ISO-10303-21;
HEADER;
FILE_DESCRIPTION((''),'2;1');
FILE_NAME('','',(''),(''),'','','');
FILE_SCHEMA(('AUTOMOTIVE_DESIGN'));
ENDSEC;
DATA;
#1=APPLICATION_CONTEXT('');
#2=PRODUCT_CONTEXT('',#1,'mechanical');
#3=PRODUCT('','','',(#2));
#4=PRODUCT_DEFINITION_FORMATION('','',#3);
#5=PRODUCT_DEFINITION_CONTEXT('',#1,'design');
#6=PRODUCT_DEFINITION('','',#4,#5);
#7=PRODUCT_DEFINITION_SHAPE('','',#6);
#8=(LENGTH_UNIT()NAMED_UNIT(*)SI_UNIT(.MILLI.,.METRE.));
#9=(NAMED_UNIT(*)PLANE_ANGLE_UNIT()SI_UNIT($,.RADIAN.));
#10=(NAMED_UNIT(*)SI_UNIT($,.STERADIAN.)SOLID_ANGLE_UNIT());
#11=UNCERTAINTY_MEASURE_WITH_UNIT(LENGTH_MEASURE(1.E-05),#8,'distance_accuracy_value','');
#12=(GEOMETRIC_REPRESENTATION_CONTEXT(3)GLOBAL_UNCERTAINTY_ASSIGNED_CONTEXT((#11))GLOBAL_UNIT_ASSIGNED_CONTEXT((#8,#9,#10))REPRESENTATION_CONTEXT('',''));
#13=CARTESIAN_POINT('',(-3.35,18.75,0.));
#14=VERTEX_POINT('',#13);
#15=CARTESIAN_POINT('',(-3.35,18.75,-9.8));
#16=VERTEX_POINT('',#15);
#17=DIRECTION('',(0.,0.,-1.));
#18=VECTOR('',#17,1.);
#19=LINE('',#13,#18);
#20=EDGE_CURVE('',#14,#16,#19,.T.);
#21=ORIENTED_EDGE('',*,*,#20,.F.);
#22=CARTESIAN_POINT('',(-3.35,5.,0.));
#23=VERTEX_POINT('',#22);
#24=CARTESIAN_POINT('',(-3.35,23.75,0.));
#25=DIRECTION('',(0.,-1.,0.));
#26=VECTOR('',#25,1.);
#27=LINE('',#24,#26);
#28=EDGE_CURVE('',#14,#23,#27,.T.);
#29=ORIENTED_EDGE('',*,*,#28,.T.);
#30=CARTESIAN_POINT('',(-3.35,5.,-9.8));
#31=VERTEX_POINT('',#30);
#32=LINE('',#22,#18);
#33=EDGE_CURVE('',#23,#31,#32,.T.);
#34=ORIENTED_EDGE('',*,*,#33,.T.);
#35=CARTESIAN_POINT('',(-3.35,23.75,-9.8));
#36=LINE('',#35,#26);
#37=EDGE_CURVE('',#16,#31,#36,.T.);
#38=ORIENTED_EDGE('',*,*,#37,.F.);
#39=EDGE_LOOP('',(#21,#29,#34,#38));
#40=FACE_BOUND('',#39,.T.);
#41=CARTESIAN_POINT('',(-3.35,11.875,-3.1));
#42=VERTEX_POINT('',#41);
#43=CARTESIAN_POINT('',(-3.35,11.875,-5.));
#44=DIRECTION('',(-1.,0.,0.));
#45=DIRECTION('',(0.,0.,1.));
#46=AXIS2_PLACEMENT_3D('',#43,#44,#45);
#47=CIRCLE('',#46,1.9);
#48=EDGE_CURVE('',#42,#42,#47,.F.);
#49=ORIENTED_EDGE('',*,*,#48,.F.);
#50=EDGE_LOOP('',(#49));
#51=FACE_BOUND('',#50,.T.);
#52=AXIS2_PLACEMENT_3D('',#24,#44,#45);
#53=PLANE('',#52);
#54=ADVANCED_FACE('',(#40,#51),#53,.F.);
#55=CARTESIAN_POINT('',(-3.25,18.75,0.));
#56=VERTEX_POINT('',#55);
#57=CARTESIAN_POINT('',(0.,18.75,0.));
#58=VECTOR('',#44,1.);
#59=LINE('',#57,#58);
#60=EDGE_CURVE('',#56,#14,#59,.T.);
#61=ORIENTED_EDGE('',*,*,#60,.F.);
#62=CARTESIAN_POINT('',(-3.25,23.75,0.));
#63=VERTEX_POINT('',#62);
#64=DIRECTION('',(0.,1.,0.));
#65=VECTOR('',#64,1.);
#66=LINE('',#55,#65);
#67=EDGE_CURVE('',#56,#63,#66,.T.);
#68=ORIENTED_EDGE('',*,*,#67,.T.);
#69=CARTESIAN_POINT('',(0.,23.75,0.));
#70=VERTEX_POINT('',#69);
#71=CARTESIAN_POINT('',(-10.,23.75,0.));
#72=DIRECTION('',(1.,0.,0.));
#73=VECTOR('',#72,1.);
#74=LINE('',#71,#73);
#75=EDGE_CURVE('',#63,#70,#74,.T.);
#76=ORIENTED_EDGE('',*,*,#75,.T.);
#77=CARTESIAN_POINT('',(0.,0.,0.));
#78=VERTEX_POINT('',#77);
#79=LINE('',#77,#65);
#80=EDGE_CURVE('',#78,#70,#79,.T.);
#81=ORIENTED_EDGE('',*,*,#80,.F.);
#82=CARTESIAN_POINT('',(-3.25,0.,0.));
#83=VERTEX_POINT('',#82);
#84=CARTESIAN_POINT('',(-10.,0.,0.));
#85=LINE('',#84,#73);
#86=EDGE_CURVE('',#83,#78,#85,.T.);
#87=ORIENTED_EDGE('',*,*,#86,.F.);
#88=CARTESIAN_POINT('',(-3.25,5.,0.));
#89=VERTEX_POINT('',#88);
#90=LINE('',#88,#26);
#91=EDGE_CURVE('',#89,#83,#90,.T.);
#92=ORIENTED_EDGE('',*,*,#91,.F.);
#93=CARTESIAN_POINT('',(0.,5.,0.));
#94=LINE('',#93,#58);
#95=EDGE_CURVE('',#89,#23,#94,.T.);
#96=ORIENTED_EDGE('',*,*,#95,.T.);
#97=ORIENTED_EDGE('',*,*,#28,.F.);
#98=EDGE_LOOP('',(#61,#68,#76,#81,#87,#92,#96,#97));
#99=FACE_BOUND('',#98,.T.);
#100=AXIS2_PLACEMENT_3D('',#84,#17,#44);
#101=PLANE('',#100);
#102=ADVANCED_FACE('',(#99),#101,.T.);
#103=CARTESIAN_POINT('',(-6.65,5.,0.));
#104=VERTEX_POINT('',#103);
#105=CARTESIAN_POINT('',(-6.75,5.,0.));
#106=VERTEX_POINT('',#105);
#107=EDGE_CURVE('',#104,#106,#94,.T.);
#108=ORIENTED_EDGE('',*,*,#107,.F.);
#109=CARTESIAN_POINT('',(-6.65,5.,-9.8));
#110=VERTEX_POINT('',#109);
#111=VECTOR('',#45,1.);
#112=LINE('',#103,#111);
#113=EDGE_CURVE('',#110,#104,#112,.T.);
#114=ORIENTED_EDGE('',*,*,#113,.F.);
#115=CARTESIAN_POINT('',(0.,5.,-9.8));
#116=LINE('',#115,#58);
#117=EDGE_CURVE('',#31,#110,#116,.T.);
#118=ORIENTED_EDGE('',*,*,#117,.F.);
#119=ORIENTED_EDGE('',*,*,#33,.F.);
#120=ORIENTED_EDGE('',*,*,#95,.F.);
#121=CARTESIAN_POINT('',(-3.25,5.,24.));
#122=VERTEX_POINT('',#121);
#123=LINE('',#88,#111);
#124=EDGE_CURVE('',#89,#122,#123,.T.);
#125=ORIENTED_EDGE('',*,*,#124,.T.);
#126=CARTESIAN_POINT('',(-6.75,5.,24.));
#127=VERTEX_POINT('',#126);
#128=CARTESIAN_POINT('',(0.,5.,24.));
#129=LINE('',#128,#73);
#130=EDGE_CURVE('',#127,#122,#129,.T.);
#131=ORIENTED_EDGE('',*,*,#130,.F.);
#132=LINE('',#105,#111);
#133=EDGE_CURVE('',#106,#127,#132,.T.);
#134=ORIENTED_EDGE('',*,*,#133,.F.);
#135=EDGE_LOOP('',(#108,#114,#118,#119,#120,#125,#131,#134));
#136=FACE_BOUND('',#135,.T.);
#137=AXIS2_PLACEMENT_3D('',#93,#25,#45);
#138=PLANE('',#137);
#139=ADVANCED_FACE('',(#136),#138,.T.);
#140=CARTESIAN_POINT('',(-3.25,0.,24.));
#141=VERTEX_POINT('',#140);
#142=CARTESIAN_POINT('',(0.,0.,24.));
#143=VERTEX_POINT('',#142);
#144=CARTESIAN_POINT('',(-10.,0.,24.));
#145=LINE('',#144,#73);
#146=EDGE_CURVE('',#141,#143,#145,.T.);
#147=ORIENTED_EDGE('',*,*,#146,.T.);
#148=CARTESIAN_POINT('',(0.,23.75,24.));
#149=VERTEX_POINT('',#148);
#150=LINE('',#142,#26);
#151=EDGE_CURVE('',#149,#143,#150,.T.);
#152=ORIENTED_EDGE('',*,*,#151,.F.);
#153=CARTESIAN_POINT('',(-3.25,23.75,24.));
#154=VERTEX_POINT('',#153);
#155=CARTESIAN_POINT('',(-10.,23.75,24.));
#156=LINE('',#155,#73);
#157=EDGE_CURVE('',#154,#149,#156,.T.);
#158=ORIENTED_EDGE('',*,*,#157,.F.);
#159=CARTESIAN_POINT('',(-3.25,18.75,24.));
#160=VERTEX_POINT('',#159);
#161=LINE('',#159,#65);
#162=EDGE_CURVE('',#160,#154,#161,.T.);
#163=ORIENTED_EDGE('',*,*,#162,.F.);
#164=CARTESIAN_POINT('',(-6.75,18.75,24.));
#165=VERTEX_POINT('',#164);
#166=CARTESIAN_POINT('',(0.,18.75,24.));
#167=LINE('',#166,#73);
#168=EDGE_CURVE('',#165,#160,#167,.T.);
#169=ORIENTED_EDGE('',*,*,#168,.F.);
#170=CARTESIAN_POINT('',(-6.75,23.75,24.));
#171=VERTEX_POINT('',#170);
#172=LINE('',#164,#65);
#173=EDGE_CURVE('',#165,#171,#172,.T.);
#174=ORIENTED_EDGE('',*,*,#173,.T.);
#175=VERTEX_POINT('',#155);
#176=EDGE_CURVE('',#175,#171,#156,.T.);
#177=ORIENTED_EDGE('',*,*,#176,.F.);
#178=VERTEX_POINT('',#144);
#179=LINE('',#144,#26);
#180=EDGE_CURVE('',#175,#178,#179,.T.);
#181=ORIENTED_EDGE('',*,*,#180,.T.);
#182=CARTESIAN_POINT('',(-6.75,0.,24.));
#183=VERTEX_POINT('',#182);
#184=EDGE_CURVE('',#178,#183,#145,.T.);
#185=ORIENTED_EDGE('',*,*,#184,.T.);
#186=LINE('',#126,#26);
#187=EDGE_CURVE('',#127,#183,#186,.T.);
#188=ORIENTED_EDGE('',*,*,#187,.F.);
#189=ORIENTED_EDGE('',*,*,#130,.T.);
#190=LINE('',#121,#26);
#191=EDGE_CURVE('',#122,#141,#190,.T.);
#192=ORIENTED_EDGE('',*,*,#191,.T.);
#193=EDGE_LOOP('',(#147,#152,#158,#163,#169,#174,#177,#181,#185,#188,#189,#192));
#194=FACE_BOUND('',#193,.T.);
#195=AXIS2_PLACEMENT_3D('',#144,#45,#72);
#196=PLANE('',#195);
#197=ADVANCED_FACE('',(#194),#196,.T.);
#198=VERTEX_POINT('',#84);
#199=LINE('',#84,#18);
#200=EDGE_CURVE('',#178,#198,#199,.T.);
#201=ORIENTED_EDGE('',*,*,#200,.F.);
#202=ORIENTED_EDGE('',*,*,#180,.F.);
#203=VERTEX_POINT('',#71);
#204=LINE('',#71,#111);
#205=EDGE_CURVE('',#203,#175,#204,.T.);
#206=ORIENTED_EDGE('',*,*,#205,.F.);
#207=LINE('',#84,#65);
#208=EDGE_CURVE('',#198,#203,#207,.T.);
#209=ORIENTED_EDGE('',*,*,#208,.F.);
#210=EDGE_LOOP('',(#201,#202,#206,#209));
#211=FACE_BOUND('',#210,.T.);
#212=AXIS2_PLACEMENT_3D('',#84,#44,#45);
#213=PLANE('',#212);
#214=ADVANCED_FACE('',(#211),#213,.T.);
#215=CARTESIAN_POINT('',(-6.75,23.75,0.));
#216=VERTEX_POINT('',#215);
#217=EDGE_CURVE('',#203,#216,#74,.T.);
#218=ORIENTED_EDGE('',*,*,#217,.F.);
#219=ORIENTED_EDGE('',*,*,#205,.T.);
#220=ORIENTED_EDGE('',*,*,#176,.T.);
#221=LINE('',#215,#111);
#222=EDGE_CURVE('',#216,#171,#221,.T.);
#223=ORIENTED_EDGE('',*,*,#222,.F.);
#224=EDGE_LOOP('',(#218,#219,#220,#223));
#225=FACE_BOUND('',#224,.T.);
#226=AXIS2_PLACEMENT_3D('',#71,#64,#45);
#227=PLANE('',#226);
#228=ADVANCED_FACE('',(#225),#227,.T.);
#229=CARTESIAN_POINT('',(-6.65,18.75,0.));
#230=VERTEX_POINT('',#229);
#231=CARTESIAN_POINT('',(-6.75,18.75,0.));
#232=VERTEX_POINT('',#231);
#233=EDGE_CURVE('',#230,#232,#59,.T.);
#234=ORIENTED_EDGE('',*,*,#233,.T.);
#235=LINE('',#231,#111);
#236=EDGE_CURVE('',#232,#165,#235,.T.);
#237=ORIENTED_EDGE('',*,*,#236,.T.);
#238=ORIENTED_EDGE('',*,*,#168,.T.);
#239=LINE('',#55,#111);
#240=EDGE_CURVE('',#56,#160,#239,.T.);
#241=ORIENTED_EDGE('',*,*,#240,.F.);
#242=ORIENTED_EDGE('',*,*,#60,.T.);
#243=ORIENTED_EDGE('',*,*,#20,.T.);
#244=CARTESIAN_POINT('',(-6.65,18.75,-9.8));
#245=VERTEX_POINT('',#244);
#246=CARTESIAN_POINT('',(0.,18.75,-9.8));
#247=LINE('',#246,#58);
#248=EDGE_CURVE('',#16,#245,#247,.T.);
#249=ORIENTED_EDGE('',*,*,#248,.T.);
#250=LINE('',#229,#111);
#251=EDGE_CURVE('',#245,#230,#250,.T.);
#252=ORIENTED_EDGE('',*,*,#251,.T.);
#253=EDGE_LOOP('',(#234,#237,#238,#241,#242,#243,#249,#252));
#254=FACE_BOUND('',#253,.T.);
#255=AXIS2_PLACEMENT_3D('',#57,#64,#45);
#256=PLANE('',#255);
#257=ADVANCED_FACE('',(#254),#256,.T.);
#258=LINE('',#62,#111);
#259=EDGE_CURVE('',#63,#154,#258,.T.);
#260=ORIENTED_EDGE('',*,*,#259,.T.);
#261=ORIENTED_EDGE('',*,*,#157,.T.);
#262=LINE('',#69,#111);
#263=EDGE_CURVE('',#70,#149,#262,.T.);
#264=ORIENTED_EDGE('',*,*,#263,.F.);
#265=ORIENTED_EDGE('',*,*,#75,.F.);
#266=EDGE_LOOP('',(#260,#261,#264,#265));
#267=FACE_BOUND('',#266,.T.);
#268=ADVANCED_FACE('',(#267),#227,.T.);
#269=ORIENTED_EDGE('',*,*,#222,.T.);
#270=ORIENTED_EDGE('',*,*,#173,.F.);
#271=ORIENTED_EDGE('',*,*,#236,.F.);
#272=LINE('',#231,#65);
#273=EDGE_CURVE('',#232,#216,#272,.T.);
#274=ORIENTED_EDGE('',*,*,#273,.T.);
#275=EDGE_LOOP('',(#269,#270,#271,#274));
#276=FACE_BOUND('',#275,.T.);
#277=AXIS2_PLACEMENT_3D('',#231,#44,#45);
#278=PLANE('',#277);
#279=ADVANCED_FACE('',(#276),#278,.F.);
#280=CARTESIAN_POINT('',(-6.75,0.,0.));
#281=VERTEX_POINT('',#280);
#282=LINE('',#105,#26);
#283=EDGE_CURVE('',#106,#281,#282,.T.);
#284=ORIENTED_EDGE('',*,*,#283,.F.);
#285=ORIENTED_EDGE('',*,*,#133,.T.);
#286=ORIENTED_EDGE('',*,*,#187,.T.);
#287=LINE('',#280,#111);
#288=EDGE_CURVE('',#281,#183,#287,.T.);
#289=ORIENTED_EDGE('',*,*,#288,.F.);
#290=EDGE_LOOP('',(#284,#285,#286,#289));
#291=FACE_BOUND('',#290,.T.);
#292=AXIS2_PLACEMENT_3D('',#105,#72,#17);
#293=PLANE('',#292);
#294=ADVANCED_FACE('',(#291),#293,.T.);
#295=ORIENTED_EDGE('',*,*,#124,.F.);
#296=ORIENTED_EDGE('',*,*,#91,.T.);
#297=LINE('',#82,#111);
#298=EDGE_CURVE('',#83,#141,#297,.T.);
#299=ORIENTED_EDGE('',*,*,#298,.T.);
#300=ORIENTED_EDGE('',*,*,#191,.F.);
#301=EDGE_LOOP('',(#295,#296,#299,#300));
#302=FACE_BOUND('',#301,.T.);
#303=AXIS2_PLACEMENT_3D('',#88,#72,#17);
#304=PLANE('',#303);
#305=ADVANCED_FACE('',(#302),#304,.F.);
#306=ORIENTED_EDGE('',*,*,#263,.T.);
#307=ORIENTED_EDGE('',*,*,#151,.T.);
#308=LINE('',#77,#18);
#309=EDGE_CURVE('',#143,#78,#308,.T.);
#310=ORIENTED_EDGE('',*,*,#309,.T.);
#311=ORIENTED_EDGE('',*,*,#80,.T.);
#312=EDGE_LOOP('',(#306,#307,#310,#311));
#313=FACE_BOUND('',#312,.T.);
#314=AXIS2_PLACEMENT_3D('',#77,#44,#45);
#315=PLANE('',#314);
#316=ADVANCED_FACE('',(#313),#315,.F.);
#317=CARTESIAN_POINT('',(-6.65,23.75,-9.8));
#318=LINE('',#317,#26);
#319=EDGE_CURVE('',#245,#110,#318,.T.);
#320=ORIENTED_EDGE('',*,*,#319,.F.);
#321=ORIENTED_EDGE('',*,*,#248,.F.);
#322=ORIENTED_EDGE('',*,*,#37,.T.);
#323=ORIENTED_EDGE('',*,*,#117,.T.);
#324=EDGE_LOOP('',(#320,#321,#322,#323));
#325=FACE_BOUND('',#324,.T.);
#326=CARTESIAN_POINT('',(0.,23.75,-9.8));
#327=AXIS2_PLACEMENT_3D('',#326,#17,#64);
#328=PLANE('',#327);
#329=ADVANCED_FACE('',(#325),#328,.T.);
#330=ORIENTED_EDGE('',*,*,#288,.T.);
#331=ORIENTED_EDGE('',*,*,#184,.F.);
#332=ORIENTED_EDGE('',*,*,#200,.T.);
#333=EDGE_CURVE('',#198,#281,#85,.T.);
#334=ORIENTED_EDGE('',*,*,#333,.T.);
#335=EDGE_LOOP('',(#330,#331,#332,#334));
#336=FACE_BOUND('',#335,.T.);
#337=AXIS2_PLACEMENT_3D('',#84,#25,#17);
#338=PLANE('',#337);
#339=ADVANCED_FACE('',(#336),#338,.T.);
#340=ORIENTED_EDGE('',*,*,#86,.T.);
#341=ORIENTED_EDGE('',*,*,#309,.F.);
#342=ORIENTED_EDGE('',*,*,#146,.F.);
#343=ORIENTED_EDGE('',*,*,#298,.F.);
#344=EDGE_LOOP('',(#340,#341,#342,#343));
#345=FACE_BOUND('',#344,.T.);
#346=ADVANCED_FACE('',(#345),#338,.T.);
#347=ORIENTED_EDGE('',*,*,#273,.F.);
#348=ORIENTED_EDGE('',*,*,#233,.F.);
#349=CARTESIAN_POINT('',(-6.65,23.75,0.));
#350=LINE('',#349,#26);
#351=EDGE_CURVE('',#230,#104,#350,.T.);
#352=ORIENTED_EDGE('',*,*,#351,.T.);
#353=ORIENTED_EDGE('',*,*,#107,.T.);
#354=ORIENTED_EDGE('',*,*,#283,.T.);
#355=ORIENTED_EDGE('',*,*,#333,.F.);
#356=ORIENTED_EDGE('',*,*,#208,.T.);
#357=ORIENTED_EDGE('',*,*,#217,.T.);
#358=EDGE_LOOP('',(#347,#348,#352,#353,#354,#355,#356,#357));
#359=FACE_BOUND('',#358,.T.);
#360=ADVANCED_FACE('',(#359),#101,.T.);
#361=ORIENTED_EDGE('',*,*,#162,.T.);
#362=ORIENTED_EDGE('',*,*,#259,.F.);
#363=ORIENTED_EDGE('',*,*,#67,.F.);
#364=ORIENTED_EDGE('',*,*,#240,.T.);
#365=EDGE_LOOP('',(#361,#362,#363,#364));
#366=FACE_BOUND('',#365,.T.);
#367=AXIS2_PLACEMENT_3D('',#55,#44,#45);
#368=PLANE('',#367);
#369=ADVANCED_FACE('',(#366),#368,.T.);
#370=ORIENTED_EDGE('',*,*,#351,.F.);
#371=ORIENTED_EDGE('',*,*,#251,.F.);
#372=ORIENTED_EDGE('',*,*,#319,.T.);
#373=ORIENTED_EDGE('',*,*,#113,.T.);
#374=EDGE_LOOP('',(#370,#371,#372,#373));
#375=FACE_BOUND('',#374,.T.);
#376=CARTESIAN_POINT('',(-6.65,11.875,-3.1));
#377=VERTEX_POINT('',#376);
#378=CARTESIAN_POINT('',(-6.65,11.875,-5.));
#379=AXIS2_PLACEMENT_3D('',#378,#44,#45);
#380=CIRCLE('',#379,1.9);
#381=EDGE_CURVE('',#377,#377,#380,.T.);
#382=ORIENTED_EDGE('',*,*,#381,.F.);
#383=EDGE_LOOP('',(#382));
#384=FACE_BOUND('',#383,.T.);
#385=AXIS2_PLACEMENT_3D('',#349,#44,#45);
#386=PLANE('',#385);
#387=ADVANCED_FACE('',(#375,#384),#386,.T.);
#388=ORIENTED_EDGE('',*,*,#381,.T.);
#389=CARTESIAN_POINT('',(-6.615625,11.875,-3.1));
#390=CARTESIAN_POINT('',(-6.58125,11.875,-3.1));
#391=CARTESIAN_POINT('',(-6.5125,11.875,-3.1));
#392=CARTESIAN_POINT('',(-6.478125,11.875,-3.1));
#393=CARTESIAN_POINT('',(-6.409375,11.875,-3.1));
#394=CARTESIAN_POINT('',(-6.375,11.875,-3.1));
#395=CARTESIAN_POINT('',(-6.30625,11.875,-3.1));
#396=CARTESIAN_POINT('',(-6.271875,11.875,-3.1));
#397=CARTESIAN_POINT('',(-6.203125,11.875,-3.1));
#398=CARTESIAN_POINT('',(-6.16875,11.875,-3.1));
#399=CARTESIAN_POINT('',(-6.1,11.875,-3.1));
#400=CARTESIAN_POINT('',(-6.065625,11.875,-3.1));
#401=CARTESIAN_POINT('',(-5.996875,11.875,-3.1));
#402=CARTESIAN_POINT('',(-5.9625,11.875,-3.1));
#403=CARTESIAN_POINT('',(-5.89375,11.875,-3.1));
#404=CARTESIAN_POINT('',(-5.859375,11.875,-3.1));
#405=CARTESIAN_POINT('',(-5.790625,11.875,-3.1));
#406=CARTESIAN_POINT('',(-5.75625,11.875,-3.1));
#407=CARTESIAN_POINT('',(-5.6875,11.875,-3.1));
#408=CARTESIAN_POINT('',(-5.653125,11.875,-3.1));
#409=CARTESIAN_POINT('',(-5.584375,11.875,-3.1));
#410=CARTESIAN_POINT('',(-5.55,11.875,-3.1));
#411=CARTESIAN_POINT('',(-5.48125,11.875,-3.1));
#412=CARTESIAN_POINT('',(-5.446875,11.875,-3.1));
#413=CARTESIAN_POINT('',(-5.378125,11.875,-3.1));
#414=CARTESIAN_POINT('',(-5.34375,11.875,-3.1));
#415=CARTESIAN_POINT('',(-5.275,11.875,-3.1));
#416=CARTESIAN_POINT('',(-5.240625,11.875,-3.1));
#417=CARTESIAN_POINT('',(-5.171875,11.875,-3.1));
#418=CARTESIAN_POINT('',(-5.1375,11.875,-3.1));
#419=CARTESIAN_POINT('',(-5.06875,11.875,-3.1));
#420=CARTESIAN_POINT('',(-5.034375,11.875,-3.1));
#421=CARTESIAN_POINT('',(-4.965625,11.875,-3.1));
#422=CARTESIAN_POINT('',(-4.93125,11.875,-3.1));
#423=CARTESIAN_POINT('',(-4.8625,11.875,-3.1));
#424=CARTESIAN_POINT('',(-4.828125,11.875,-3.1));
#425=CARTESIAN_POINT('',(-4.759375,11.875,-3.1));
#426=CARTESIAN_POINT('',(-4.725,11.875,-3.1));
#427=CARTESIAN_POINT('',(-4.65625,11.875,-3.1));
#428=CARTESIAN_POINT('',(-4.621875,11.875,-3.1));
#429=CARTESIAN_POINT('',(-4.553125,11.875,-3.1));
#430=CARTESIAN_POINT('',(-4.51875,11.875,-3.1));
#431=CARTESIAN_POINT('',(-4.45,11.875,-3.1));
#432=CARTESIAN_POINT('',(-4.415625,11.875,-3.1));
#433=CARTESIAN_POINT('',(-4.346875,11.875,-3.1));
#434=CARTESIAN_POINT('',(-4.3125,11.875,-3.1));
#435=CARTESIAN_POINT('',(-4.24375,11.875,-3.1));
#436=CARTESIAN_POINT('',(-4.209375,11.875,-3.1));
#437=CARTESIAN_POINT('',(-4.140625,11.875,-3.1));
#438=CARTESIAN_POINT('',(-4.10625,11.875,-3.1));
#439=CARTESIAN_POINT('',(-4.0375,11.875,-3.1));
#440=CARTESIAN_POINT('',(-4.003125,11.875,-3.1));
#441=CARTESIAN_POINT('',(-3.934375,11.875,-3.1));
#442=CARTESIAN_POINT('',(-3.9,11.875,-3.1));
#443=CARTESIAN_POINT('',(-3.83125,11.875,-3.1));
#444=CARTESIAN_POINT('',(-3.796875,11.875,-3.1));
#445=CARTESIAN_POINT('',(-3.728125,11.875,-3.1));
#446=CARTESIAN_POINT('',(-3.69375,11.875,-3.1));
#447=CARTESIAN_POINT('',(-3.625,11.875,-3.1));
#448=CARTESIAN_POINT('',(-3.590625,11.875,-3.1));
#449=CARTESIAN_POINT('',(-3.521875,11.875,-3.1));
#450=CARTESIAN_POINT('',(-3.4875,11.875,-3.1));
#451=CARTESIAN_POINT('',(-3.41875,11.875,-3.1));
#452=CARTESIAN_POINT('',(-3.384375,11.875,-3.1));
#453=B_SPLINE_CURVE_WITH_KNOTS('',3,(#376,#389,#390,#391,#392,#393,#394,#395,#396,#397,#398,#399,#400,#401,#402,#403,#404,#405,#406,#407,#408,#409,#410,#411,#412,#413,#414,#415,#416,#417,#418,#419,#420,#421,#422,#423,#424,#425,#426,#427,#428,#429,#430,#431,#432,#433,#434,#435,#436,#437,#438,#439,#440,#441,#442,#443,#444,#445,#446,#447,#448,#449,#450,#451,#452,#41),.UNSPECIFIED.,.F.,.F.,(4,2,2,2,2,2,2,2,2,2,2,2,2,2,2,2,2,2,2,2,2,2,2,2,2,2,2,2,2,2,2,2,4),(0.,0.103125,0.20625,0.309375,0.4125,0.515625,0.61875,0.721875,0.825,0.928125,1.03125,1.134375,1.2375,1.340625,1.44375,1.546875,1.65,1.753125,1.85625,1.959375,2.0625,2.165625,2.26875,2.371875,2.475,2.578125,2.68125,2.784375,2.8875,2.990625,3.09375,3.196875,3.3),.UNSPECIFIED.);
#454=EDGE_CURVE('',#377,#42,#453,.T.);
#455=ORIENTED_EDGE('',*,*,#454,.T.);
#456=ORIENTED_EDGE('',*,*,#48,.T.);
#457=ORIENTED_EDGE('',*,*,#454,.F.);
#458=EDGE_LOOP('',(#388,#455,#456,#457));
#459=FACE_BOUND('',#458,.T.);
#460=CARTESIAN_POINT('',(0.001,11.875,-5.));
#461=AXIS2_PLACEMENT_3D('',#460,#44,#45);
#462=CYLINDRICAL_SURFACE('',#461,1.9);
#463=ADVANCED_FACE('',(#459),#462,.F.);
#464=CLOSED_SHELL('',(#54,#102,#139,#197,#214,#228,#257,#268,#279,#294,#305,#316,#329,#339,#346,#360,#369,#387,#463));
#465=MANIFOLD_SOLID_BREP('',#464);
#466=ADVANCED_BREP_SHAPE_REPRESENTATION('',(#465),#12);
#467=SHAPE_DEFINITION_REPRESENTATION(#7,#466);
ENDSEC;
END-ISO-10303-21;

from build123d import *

# Parameters (mm, degrees)
SKETCH1_W           = 23.75
SKETCH1_H           = 24
BOSS_EXTRUDE1_DEPTH = 10
SKETCH2_W           = 3.3
SKETCH2_H           = 9.8
BOSS_EXTRUDE2_DEPTH = 23.75
CUT_EXTRUDE1_REACH  = 36.413
SKETCH4_R           = 1.9
SKETCH5_W           = 3.5
SKETCH5_H           = 3.25
SKETCH5_H_2         = 17.5
SKETCH5_W_2         = 3.3
SKETCH5_H_3         = 9.8
CUT_EXTRUDE2_DEPTH  = 5


with BuildPart() as part:
    # Sketch1 → Boss-Extrude1 (new body)
    with BuildSketch(Plane.YZ):
        with Locations((11.875, 12)):
            Rectangle(SKETCH1_W, SKETCH1_H)
    extrude(amount=-BOSS_EXTRUDE1_DEPTH)

    # Sketch2 → Boss-Extrude2 (add, through all)
    with BuildSketch(Plane.XZ):
        with Locations((-5, -4.9)):
            Rectangle(SKETCH2_W, SKETCH2_H)
    extrude(amount=-BOSS_EXTRUDE2_DEPTH)

    # Sketch4 → Cut-Extrude1 (cut, up to next)
    with BuildSketch(Plane(origin=(-6.65, 0, 0), x_dir=(0, -1, 0), z_dir=(-1, 0, 0)), mode=Mode.PRIVATE) as cut_extrude1_sk1:
        with Locations(Location((-11.875, -5, 0), (0, 0, 90))):
            Circle(SKETCH4_R)
    cut_extrude1_tool1 = extrude(cut_extrude1_sk1.sketch, amount=-CUT_EXTRUDE1_REACH, mode=Mode.PRIVATE) & part.part
    add(cut_extrude1_tool1.solids().sort_by_distance((-6.65, 11.875, -5))[0], mode=Mode.SUBTRACT)

    # Sketch5 → Cut-Extrude2 (cut)
    with BuildSketch(Plane(origin=(0, 23.75, 0), x_dir=(-1, 0, 0), z_dir=(0, 1, 0))):
        with Locations((5, 22.375)):
            Rectangle(SKETCH5_W, SKETCH5_H)
        with Locations((5, 12)):
            Rectangle(SKETCH5_W, SKETCH5_H_2)
        Polygon((6.75, 3.25), (3.25, 3.25), (3.25, 0), (3.35, 0), (6.65, 0), (6.75, 0), align=None)
        with Locations((5, -4.9)):
            Rectangle(SKETCH5_W_2, SKETCH5_H_3)
    cut_extrude2 = extrude(amount=-CUT_EXTRUDE2_DEPTH, mode=Mode.SUBTRACT)

    # Mirror1: Cut-Extrude2 across plane
    add(cut_extrude2.mirror(Plane.ZX.offset(11.875)), mode=Mode.SUBTRACT)


solid = part.part
